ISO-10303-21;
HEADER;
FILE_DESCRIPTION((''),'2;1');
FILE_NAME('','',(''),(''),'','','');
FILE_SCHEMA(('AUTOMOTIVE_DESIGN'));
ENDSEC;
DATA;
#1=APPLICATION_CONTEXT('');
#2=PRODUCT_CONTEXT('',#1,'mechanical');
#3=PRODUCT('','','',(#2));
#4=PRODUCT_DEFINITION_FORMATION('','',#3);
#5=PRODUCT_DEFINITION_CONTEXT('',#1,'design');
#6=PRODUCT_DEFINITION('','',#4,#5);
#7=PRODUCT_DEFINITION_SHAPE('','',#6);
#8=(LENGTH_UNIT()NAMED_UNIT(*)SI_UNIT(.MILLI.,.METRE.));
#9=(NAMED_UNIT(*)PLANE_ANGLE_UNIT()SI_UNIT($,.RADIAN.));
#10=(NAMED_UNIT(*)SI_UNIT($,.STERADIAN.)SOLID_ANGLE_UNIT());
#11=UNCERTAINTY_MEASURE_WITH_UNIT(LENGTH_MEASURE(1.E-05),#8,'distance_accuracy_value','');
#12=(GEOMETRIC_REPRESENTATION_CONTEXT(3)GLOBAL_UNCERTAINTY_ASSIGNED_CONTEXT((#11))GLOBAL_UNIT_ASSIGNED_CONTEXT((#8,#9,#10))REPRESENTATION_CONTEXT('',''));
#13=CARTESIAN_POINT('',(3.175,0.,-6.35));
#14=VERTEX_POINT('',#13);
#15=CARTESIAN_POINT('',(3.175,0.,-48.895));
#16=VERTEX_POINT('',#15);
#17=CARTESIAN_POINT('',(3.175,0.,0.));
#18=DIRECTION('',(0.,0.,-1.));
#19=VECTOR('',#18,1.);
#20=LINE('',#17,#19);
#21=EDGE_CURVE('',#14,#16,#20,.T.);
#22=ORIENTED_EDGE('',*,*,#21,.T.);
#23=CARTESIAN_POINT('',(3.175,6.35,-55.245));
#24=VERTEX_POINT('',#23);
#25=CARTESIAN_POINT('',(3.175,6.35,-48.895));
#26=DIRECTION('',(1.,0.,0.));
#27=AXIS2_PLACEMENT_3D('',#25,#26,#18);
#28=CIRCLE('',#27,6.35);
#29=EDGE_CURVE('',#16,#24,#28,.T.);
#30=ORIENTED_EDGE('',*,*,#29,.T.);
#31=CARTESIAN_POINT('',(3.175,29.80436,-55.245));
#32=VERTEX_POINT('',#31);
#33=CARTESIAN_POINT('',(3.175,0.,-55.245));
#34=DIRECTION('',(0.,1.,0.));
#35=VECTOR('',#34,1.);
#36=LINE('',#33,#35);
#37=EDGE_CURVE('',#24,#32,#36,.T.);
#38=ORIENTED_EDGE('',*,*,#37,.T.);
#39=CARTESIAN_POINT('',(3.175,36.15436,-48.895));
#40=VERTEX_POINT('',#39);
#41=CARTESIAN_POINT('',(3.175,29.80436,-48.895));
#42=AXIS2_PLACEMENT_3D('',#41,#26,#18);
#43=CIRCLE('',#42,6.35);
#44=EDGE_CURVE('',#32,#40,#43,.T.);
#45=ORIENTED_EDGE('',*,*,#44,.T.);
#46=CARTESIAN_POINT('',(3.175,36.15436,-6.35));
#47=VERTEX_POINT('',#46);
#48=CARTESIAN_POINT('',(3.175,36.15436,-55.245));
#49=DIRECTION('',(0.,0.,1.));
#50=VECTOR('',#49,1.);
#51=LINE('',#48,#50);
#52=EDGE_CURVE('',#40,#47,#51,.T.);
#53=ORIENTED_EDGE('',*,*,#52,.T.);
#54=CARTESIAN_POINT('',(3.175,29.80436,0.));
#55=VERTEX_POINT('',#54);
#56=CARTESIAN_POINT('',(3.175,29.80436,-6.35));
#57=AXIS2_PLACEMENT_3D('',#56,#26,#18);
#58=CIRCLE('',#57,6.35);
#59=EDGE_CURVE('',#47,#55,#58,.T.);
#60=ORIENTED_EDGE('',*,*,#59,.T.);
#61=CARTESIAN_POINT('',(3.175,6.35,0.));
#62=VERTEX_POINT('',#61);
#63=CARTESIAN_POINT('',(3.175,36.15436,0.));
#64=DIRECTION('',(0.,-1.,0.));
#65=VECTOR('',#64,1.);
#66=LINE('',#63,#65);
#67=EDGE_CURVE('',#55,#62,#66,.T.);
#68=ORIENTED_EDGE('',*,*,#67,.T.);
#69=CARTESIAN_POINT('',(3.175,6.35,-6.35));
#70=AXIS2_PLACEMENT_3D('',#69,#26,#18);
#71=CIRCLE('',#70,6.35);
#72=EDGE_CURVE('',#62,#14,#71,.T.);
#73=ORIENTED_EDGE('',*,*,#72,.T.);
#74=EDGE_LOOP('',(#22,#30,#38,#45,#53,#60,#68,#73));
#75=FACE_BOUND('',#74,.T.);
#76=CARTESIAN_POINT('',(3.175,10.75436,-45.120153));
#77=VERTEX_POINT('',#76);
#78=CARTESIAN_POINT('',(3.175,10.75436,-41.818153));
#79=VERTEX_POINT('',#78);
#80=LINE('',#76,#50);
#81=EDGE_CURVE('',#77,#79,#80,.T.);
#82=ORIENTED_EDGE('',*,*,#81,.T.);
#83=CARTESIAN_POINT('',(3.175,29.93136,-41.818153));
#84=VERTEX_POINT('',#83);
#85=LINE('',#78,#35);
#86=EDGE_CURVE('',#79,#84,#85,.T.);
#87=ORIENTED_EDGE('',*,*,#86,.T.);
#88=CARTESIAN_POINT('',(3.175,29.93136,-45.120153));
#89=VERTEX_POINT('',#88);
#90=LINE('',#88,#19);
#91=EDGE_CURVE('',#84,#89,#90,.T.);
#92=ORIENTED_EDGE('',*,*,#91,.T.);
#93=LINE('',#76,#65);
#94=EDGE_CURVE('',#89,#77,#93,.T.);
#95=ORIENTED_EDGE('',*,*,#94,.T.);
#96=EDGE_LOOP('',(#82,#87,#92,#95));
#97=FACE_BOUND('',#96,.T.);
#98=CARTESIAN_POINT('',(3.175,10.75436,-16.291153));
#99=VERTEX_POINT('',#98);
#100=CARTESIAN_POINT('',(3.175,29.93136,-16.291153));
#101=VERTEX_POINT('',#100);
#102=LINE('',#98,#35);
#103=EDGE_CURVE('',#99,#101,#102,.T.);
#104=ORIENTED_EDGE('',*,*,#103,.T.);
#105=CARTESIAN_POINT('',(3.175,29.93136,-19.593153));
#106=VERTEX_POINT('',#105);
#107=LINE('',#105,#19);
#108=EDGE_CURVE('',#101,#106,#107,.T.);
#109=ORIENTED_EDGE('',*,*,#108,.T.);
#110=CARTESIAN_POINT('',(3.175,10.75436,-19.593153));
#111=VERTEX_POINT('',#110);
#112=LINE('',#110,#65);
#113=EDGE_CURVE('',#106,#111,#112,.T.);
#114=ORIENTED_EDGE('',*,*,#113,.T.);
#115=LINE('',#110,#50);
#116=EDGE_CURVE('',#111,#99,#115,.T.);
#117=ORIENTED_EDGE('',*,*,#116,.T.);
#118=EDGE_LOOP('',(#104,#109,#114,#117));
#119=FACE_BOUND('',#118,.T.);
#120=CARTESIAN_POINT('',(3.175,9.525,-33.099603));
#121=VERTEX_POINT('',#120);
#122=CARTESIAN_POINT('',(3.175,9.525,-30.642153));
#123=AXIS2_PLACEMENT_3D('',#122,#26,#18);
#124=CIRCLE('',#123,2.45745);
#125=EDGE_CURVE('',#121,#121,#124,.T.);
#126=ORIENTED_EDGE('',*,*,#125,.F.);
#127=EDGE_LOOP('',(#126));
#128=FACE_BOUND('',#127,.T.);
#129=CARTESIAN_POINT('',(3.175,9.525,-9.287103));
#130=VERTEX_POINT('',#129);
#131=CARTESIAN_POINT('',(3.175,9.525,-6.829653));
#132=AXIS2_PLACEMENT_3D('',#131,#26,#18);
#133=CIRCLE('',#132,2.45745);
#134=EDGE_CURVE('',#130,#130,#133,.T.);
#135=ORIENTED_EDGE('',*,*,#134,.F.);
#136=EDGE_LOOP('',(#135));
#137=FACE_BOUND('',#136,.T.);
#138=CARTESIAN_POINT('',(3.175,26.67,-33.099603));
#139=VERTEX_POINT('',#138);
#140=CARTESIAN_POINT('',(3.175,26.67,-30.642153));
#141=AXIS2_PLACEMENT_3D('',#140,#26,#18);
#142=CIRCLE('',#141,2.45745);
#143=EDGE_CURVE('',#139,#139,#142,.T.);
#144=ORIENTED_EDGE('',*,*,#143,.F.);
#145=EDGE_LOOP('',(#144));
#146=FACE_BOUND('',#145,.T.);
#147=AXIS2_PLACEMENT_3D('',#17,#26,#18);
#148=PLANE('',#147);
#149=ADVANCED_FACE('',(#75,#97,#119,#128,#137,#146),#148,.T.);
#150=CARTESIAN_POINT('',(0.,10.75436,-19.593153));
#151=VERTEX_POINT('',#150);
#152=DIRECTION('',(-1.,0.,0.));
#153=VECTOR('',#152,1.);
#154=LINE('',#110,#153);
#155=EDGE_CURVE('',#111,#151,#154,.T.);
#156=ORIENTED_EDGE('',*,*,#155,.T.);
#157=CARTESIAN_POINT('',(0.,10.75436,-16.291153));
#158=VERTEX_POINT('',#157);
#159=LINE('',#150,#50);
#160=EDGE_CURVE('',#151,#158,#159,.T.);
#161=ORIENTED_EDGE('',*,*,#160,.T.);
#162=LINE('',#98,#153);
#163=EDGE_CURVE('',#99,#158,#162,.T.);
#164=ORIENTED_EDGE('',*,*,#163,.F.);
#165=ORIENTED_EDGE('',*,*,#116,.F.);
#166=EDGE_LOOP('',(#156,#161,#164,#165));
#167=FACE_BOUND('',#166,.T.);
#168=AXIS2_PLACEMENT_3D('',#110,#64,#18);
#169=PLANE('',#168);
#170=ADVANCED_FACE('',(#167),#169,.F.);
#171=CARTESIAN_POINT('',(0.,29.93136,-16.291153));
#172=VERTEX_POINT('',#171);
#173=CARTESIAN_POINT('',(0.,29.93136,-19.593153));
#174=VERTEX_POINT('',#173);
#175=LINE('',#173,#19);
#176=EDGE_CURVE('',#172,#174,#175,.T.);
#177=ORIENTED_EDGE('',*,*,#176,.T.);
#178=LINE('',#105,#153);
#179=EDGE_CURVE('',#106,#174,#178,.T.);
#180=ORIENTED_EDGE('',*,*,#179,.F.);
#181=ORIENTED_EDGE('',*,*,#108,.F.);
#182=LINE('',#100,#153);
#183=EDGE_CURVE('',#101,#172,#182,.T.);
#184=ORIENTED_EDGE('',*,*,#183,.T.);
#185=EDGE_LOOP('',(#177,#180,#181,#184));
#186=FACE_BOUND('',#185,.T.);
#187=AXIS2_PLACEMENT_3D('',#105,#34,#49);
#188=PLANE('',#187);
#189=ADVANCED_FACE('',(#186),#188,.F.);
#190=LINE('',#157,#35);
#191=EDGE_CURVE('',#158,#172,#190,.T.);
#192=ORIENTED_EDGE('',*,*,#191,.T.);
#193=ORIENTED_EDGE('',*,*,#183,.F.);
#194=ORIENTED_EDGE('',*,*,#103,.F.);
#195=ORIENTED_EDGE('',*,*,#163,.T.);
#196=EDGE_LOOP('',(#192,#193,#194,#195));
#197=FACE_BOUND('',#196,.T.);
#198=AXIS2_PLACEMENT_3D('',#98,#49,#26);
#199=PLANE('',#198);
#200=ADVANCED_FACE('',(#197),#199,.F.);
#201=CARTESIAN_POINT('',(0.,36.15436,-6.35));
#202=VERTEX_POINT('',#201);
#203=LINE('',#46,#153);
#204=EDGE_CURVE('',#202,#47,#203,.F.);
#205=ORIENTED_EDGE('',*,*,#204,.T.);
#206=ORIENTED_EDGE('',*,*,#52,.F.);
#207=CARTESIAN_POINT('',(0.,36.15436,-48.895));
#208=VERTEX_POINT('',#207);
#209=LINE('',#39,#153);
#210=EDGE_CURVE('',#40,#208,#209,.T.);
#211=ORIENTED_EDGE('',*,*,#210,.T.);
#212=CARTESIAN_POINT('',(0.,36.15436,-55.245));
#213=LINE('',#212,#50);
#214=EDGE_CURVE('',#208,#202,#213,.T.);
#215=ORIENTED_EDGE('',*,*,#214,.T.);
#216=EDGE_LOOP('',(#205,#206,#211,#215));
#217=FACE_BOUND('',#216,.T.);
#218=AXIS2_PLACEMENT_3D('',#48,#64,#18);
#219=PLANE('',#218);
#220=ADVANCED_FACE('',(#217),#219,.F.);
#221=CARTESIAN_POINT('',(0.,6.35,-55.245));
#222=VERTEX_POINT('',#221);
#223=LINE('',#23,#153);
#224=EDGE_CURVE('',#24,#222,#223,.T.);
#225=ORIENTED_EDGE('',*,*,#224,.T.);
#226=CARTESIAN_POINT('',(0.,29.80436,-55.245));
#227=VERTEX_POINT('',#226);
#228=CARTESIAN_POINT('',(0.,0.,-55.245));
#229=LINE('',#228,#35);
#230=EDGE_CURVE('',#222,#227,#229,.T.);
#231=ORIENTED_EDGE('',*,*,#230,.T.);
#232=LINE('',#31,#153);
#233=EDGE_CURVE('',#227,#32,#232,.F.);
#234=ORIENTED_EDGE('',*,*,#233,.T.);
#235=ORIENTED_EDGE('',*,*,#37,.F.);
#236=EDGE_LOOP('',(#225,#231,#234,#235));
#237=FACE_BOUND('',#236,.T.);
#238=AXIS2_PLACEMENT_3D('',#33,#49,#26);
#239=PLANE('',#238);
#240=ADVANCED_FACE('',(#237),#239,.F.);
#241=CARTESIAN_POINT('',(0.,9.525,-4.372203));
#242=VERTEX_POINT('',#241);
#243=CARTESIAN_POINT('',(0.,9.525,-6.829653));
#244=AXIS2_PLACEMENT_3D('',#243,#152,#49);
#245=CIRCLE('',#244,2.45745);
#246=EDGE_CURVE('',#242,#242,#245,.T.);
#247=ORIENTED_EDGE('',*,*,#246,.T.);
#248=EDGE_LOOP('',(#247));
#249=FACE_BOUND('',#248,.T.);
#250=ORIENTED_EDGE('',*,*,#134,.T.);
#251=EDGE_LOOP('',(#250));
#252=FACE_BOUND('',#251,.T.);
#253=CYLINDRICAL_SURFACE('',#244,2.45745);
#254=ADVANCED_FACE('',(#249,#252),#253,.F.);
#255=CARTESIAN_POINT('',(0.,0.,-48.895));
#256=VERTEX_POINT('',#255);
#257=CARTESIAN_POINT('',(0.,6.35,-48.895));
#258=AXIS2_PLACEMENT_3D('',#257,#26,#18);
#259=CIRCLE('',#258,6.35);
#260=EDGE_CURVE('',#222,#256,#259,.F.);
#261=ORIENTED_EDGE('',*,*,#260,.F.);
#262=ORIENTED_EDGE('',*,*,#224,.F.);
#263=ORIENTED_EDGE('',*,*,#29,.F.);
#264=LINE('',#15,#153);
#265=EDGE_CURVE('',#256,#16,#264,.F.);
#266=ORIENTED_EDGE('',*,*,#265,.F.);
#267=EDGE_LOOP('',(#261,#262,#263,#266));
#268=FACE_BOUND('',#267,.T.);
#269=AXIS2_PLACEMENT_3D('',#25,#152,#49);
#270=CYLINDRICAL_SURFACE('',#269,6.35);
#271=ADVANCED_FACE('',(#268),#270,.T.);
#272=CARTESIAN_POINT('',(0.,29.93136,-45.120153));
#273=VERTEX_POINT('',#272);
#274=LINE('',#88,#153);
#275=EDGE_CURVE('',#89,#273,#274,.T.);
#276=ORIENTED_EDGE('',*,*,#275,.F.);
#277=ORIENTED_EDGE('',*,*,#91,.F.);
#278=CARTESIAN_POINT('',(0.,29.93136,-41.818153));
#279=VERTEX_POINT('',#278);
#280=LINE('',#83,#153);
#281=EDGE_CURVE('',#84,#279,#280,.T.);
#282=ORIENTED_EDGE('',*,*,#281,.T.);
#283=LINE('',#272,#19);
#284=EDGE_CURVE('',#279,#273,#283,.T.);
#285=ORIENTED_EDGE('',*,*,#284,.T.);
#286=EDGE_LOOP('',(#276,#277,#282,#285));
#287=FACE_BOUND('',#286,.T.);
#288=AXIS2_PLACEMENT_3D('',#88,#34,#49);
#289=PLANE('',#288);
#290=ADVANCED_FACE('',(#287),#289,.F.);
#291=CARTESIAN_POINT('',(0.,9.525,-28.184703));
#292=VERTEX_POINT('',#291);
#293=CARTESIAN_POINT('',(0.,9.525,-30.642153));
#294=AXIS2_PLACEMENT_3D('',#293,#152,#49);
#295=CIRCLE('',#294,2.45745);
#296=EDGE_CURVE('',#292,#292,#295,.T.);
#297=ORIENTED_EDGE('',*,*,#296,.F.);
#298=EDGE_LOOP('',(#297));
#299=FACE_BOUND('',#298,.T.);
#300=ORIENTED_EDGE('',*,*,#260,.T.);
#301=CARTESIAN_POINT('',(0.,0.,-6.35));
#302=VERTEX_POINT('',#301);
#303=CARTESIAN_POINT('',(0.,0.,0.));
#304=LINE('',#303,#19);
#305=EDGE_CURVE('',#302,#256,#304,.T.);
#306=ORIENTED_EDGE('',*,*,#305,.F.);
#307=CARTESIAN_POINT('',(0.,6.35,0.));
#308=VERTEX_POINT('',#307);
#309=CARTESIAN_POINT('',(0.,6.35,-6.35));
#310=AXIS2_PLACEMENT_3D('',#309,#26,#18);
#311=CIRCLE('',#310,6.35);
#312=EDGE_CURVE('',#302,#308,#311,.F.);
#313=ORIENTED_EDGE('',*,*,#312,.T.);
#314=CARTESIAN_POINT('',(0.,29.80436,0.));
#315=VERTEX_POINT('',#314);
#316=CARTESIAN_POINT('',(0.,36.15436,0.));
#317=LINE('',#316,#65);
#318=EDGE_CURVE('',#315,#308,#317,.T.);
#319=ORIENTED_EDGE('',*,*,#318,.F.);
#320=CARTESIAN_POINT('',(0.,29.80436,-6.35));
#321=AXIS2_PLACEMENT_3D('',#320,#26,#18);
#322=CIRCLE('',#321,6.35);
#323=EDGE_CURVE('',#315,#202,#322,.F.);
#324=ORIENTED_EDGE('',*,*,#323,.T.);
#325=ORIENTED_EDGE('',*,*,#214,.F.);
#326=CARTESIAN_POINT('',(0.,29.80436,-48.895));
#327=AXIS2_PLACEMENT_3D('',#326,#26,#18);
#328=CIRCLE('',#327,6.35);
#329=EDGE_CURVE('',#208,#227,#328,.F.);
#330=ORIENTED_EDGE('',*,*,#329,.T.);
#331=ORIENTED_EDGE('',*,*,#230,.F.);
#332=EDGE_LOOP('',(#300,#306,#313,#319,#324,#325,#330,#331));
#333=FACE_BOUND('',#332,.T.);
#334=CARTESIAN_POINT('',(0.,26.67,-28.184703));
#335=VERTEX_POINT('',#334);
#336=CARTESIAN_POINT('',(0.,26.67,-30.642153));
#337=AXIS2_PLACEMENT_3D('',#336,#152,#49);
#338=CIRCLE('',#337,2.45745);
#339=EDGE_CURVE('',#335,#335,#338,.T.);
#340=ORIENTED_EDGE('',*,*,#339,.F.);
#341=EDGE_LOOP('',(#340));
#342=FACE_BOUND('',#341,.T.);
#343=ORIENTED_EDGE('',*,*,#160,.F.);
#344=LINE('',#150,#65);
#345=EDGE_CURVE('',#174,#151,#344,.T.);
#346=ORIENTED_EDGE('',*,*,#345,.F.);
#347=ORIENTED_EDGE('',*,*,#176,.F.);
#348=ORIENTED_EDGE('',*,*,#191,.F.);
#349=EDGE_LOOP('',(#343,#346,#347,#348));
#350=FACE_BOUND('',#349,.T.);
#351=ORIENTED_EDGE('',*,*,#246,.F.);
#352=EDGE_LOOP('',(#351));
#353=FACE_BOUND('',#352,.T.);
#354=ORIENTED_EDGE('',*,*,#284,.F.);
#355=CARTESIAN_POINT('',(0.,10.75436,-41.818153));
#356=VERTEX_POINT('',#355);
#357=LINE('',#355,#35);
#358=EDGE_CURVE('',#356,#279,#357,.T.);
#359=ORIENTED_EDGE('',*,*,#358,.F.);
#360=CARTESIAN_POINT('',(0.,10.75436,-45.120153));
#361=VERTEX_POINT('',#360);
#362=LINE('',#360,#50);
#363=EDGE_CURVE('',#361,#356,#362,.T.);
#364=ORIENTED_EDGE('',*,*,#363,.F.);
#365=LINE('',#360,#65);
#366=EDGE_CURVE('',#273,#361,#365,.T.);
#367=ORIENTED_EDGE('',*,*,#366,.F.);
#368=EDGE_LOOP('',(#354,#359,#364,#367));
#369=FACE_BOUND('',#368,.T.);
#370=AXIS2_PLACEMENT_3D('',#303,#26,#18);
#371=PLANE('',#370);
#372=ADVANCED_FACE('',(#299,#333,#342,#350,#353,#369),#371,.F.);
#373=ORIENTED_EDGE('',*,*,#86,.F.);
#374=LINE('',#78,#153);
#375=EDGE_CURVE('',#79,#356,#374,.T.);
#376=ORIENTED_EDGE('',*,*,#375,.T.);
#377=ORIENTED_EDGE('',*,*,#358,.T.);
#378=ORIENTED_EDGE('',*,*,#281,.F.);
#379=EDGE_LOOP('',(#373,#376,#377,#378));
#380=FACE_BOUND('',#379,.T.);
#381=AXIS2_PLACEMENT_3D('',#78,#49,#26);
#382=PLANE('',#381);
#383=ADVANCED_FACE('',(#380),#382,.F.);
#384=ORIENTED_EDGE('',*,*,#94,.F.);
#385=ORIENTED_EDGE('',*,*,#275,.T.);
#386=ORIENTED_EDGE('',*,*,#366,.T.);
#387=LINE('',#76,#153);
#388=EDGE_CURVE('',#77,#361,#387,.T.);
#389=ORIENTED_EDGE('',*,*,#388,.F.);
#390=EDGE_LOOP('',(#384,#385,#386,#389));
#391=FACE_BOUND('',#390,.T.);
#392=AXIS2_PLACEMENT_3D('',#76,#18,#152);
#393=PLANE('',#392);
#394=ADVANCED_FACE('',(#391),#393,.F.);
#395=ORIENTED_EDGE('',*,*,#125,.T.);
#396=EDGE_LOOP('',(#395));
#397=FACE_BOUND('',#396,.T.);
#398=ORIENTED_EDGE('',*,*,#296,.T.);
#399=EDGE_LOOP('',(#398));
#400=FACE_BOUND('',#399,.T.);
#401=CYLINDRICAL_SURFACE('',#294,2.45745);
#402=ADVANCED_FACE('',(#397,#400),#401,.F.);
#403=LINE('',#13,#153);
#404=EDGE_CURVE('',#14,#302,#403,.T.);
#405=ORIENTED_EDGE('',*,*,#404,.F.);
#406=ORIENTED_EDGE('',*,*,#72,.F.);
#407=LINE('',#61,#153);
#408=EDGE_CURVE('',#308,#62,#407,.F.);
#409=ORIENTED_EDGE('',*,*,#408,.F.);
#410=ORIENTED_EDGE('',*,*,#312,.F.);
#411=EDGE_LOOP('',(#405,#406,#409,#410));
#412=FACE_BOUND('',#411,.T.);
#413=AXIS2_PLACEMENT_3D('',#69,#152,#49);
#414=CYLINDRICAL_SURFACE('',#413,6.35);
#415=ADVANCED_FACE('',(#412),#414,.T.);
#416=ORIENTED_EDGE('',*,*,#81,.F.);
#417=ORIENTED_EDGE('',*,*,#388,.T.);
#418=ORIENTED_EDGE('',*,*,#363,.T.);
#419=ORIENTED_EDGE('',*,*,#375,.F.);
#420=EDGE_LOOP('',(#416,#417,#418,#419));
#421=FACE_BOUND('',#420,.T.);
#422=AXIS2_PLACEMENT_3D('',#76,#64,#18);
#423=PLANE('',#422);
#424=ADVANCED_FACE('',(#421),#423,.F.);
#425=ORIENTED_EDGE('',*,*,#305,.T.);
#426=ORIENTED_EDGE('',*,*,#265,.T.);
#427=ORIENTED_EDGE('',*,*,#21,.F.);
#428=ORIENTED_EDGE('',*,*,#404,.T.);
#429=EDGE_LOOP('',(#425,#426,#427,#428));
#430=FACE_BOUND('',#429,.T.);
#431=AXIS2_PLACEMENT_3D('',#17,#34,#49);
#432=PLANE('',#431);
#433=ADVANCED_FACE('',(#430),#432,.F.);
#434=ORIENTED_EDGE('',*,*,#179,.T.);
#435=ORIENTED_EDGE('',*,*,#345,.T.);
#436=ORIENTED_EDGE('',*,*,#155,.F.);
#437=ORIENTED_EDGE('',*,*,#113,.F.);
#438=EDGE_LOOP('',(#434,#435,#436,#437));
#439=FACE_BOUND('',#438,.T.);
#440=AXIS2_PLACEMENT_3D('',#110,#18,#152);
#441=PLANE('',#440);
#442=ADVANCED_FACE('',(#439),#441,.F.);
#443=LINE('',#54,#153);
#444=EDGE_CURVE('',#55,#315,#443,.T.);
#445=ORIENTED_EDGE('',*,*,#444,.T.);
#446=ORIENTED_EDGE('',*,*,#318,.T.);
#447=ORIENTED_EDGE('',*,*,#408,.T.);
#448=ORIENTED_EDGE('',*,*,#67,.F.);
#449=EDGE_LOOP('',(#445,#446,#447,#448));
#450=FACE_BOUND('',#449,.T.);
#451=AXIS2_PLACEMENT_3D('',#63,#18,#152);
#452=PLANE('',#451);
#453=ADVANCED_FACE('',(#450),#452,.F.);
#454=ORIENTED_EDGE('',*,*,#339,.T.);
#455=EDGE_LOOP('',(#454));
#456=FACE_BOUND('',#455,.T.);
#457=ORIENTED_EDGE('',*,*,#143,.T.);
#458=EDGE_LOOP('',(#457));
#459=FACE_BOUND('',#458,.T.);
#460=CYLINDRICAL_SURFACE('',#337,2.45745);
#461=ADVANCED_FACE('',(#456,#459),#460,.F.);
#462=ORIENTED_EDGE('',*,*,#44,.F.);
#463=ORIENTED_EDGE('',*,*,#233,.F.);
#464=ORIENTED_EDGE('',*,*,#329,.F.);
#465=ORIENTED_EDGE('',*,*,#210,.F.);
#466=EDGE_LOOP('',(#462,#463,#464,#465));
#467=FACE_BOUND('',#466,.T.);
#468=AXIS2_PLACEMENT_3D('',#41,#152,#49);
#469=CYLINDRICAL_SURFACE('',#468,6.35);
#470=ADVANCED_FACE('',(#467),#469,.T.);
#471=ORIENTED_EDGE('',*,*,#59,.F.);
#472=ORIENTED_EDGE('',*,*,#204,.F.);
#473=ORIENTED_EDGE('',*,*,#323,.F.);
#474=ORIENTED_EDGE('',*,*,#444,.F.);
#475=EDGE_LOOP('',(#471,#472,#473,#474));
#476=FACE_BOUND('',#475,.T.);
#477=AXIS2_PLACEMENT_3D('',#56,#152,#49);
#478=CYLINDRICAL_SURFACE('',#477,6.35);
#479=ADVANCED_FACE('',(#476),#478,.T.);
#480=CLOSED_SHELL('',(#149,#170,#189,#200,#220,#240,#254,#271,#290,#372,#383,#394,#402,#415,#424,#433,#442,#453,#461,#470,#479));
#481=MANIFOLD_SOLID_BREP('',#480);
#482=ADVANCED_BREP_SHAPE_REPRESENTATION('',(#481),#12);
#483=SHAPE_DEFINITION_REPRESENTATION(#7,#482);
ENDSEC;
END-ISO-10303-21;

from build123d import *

# Parameters (mm, degrees)
SKETCH1_W                        = 55.245
SKETCH1_H                        = 36.15436
BOSS_EXTRUDE1_DEPTH              = 3.175
SKETCH7_W                        = 3.302
SKETCH7_H                        = 19.177
CUT_EXTRUDE1_DEPTH               = 3.175
FILLET1_R                        = 6.35
F_10_0_1935_DIAMETER_HOLE2_D     = 4.9149
F_10_0_1935_DIAMETER_HOLE2_DEPTH = 9.699415072
F_10_0_1935_DIAMETER_HOLE2_TIP   = 1.476584928


with BuildPart() as part:
    # Sketch1 → Boss-Extrude1 (new body)
    with BuildSketch(Plane(origin=(0, 0, 0), x_dir=(0, 0, -1), z_dir=(1, 0, 0))):
        with Locations((27.6225, 18.07718)):
            Rectangle(SKETCH1_W, SKETCH1_H)
    extrude(amount=BOSS_EXTRUDE1_DEPTH)

    # Sketch7 → Cut-Extrude1 (cut)
    with BuildSketch(Plane.ZY):
        with Locations((-43.469153092, 20.34286)):
            Rectangle(SKETCH7_W, SKETCH7_H)
        with Locations((-17.942153092, 20.34286)):
            Rectangle(SKETCH7_W, SKETCH7_H)
    extrude(amount=-CUT_EXTRUDE1_DEPTH, mode=Mode.SUBTRACT)

    # Fillet1
    fillet1_edges = [part.edges().sort_by_distance(p)[0] for p in [
        (1.5875, 0, 0),
        (1.5875, 36.15436, 0),
        (1.5875, 36.15436, -55.245),
        (1.5875, 0, -55.245),
    ]]
    fillet(fillet1_edges, radius=FILLET1_R)

    # #10 (0.1935) Diameter Hole2
    with Locations(Plane.ZY):
        with Locations((-30.642153092, 9.525), (-30.642153092, 26.67), (-6.829653092, 9.525)):
            Hole(F_10_0_1935_DIAMETER_HOLE2_D / 2, depth=F_10_0_1935_DIAMETER_HOLE2_DEPTH)
            with Locations((0, 0, -(F_10_0_1935_DIAMETER_HOLE2_DEPTH + F_10_0_1935_DIAMETER_HOLE2_TIP / 2))):  # 118° drill point
                Cone(0, F_10_0_1935_DIAMETER_HOLE2_D / 2, F_10_0_1935_DIAMETER_HOLE2_TIP, mode=Mode.SUBTRACT)


solid = part.part
